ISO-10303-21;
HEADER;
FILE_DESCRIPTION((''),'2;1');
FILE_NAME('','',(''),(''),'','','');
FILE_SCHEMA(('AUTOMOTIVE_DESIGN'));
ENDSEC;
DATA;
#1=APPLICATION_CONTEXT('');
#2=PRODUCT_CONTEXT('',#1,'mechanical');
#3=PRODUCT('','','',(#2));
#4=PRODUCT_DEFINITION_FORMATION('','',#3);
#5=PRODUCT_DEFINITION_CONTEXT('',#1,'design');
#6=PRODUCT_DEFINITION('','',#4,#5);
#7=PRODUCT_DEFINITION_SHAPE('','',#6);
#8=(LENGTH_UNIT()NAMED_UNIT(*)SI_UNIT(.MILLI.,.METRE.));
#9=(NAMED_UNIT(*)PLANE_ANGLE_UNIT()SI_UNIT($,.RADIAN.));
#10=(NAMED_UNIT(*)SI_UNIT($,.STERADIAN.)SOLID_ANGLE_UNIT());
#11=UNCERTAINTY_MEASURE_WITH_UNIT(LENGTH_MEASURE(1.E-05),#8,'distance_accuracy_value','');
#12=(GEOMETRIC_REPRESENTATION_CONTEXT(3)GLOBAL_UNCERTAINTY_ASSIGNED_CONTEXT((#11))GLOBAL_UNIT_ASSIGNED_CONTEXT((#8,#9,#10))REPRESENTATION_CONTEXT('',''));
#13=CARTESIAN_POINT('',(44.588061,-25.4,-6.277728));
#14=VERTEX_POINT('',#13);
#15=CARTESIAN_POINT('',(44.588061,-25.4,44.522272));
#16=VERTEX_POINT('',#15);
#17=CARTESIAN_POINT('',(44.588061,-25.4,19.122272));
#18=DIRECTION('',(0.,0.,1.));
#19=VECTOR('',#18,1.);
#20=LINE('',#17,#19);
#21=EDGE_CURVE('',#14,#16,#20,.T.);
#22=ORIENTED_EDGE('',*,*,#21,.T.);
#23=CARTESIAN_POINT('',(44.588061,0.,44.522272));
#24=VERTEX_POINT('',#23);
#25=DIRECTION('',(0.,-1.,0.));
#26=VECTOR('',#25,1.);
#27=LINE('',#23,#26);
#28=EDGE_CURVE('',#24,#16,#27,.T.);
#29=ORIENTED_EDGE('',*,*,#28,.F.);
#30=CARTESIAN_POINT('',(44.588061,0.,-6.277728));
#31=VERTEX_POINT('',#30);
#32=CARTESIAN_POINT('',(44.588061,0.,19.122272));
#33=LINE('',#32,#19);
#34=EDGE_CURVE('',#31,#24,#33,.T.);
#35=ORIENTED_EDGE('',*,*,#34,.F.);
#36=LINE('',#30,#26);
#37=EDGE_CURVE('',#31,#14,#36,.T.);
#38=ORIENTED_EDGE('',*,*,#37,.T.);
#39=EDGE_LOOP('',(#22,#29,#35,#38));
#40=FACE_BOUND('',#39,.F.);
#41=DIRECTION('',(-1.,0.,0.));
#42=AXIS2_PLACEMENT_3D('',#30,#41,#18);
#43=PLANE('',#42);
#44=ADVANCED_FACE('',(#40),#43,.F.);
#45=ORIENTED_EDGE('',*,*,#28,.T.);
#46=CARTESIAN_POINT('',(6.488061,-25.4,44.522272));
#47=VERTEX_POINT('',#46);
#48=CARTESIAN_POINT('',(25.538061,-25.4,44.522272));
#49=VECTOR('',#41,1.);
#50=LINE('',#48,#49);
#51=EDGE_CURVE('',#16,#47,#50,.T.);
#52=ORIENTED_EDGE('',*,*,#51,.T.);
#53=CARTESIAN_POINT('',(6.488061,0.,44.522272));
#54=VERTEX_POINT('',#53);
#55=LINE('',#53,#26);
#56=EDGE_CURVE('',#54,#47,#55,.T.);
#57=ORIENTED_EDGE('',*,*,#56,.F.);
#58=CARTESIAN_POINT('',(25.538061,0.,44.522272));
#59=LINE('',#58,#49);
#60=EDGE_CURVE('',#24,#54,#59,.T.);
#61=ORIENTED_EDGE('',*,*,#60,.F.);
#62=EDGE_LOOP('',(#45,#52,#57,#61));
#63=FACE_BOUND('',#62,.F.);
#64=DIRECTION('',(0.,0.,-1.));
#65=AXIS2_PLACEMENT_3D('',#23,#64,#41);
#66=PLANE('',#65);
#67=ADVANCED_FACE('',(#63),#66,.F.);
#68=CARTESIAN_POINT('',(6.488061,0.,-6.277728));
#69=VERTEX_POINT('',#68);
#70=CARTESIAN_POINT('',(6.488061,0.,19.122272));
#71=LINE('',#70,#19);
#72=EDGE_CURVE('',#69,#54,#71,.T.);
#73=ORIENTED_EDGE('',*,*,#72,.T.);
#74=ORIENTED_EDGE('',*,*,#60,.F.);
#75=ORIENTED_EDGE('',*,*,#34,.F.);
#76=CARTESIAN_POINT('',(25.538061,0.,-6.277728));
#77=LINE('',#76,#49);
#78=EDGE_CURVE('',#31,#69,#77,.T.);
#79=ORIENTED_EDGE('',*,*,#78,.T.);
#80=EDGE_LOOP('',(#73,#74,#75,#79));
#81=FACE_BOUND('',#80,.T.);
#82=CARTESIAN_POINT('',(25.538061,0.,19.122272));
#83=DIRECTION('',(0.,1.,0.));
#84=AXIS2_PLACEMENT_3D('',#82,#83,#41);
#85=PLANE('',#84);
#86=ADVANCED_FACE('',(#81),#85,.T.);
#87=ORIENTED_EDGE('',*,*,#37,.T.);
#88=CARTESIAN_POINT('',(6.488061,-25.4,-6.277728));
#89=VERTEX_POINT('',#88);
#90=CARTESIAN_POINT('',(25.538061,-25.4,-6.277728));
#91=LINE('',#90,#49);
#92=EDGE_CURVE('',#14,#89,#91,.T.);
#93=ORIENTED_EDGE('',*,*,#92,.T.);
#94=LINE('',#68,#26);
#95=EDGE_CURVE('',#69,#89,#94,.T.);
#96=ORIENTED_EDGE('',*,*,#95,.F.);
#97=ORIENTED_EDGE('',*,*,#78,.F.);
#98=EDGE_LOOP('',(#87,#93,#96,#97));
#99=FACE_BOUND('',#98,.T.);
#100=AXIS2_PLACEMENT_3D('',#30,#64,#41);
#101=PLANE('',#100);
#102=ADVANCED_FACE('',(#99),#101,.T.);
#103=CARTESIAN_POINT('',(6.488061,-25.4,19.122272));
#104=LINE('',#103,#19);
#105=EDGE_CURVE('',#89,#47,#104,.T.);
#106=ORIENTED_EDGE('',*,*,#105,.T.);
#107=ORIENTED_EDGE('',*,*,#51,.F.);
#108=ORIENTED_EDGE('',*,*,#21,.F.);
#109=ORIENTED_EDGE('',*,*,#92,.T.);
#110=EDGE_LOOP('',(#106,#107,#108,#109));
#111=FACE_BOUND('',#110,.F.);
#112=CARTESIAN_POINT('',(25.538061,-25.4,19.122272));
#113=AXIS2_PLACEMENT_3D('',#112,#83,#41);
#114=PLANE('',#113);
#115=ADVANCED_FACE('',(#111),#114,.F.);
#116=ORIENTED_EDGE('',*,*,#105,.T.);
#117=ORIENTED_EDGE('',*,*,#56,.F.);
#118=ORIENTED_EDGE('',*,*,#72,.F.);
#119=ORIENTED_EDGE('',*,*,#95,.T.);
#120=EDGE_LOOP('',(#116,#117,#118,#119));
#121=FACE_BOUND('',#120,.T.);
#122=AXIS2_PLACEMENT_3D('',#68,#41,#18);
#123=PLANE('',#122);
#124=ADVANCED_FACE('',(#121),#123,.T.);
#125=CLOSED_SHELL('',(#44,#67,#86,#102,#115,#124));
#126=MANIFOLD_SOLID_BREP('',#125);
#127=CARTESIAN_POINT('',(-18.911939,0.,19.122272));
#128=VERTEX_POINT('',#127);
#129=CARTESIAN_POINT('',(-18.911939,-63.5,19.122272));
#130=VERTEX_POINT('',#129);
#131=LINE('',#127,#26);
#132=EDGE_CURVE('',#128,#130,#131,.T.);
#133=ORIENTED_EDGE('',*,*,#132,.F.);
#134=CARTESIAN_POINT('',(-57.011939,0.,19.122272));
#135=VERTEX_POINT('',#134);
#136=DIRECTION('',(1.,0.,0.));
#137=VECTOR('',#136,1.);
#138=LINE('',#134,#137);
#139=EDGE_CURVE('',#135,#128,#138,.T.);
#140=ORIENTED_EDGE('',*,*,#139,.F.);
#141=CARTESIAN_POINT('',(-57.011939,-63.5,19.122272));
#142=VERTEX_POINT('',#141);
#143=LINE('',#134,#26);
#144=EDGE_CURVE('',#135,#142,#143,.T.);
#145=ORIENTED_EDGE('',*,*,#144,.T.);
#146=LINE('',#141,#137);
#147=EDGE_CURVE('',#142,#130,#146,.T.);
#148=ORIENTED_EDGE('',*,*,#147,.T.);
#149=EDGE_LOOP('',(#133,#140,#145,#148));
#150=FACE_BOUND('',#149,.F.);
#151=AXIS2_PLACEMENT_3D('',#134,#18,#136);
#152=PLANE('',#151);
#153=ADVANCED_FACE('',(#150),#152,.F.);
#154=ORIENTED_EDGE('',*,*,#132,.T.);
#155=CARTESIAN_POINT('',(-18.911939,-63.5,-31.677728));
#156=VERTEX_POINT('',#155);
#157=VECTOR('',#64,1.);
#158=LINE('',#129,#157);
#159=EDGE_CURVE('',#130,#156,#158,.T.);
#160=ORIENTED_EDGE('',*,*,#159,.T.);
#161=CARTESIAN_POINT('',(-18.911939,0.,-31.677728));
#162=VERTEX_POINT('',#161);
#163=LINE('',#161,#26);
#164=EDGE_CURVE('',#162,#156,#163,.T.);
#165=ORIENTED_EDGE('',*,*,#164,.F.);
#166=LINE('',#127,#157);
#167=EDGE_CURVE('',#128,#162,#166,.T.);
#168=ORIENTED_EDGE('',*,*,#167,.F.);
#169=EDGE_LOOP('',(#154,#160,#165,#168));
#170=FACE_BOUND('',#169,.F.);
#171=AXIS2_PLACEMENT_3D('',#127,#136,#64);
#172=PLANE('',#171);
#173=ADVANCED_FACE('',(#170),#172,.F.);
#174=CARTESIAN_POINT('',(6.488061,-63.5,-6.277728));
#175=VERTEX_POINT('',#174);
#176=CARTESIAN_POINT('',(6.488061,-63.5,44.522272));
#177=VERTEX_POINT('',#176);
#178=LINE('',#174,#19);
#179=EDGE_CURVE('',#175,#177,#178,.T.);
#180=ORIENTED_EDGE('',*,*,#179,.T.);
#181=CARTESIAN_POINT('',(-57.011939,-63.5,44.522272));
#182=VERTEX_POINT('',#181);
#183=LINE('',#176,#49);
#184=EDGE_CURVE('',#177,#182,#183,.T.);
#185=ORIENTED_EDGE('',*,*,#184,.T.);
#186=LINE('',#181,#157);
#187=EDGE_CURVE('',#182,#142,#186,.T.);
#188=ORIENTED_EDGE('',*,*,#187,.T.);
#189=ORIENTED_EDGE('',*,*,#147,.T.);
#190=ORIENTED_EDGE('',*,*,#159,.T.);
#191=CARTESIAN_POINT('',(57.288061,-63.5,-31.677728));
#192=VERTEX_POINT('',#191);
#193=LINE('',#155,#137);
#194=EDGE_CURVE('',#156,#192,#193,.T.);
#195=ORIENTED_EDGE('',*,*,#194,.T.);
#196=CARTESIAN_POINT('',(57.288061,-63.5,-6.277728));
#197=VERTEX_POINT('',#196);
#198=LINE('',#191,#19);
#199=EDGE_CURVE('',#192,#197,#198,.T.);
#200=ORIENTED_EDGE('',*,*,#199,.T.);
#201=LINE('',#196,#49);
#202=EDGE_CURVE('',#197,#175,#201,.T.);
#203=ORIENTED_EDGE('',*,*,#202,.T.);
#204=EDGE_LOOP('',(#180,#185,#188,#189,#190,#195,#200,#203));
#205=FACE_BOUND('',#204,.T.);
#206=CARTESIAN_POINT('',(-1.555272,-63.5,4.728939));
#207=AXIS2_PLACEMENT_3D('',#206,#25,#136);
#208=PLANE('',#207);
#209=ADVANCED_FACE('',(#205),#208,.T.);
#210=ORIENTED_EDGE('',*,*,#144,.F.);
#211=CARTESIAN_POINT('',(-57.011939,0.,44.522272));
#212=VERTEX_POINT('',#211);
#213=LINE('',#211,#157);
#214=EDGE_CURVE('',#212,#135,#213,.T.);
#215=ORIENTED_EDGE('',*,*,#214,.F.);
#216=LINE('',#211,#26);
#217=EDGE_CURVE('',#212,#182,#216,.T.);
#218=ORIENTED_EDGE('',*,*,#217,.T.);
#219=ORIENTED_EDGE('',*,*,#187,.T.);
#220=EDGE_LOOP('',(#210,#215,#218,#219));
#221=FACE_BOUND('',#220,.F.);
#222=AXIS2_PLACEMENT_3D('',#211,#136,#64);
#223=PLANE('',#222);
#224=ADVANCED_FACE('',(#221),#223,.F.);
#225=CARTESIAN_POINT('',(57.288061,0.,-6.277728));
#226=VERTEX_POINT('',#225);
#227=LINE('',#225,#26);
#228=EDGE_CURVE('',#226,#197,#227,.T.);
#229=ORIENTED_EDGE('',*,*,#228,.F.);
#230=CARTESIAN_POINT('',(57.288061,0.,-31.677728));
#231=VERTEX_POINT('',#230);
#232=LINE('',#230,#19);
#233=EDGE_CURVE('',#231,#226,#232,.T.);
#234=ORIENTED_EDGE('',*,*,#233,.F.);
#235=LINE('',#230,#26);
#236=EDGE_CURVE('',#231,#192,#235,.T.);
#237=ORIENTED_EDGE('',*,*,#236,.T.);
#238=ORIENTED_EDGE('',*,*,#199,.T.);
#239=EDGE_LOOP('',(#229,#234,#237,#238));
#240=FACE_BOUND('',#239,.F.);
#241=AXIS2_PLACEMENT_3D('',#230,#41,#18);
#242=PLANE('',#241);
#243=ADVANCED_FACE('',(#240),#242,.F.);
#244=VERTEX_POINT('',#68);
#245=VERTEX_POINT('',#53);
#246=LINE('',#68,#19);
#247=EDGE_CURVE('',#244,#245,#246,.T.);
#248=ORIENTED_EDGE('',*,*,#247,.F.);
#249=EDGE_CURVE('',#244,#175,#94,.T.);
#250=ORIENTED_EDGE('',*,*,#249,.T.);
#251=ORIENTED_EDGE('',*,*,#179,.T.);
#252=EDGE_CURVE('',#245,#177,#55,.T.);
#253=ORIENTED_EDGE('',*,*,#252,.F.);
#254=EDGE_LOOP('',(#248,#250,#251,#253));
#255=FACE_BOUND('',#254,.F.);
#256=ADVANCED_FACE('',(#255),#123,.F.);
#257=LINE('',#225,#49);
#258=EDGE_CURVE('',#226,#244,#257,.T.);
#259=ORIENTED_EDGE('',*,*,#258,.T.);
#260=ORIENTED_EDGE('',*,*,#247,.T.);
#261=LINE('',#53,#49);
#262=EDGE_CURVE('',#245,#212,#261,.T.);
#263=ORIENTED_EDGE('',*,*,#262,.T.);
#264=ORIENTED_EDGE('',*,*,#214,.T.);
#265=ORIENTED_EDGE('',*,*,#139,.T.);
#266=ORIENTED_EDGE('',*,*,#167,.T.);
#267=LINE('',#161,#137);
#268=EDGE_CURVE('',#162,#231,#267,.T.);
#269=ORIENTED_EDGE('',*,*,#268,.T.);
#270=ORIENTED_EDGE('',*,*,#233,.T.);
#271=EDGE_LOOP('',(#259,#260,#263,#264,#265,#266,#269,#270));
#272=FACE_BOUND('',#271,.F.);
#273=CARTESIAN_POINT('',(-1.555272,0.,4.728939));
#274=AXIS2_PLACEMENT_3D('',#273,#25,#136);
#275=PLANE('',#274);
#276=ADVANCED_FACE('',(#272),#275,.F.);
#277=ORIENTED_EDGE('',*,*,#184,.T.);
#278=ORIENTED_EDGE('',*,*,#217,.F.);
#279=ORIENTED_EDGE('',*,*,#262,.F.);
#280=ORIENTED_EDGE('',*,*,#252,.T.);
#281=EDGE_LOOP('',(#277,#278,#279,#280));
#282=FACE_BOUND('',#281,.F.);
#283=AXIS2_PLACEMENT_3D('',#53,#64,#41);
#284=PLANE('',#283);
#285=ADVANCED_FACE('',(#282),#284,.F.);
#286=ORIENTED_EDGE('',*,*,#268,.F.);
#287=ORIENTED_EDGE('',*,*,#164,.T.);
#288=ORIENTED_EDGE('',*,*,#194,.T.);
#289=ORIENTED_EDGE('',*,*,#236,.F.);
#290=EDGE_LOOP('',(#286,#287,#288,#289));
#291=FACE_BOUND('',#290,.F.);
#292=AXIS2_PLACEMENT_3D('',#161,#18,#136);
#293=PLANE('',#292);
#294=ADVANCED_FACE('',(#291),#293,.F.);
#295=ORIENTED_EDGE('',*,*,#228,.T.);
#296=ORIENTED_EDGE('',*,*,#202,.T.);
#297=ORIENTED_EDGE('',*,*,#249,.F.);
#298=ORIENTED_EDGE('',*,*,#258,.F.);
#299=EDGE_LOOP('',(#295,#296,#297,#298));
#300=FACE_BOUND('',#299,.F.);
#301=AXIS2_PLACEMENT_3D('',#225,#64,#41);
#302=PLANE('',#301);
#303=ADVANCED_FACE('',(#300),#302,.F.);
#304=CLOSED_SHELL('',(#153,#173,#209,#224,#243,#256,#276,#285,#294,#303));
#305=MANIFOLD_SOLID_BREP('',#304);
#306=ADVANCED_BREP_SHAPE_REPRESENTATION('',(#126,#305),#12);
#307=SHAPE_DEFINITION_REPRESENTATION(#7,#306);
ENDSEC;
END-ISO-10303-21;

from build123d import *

# Parameters (mm, degrees)
F1_DEPTH = 63.5
F2_W     = 38.1
F2_H     = 50.8
F3_DEPTH = 25.4


with BuildPart() as f1:
    # F0 (on Front) → F1 (new body)
    with BuildSketch(Plane.XZ):
        Polygon((6.488061, 44.522272), (-57.011939, 44.522272), (-57.011939, 19.122272), (-18.911939, 19.122272), (-18.911939, -31.677728), (57.288061, -31.677728), (57.288061, -6.277728), (6.488061, -6.277728), align=None)
    extrude(amount=F1_DEPTH)


with BuildPart() as f3:
    # F2 (on face) → F3 (new body)
    with BuildSketch(Plane(origin=(0, 0, 0), x_dir=(-1, 0, 0), z_dir=(0, 1, 0))):
        with Locations((-25.538061, 19.122272)):
            Rectangle(F2_W, F2_H)
    extrude(amount=-F3_DEPTH)


solid = Compound([f1.part, f3.part])
